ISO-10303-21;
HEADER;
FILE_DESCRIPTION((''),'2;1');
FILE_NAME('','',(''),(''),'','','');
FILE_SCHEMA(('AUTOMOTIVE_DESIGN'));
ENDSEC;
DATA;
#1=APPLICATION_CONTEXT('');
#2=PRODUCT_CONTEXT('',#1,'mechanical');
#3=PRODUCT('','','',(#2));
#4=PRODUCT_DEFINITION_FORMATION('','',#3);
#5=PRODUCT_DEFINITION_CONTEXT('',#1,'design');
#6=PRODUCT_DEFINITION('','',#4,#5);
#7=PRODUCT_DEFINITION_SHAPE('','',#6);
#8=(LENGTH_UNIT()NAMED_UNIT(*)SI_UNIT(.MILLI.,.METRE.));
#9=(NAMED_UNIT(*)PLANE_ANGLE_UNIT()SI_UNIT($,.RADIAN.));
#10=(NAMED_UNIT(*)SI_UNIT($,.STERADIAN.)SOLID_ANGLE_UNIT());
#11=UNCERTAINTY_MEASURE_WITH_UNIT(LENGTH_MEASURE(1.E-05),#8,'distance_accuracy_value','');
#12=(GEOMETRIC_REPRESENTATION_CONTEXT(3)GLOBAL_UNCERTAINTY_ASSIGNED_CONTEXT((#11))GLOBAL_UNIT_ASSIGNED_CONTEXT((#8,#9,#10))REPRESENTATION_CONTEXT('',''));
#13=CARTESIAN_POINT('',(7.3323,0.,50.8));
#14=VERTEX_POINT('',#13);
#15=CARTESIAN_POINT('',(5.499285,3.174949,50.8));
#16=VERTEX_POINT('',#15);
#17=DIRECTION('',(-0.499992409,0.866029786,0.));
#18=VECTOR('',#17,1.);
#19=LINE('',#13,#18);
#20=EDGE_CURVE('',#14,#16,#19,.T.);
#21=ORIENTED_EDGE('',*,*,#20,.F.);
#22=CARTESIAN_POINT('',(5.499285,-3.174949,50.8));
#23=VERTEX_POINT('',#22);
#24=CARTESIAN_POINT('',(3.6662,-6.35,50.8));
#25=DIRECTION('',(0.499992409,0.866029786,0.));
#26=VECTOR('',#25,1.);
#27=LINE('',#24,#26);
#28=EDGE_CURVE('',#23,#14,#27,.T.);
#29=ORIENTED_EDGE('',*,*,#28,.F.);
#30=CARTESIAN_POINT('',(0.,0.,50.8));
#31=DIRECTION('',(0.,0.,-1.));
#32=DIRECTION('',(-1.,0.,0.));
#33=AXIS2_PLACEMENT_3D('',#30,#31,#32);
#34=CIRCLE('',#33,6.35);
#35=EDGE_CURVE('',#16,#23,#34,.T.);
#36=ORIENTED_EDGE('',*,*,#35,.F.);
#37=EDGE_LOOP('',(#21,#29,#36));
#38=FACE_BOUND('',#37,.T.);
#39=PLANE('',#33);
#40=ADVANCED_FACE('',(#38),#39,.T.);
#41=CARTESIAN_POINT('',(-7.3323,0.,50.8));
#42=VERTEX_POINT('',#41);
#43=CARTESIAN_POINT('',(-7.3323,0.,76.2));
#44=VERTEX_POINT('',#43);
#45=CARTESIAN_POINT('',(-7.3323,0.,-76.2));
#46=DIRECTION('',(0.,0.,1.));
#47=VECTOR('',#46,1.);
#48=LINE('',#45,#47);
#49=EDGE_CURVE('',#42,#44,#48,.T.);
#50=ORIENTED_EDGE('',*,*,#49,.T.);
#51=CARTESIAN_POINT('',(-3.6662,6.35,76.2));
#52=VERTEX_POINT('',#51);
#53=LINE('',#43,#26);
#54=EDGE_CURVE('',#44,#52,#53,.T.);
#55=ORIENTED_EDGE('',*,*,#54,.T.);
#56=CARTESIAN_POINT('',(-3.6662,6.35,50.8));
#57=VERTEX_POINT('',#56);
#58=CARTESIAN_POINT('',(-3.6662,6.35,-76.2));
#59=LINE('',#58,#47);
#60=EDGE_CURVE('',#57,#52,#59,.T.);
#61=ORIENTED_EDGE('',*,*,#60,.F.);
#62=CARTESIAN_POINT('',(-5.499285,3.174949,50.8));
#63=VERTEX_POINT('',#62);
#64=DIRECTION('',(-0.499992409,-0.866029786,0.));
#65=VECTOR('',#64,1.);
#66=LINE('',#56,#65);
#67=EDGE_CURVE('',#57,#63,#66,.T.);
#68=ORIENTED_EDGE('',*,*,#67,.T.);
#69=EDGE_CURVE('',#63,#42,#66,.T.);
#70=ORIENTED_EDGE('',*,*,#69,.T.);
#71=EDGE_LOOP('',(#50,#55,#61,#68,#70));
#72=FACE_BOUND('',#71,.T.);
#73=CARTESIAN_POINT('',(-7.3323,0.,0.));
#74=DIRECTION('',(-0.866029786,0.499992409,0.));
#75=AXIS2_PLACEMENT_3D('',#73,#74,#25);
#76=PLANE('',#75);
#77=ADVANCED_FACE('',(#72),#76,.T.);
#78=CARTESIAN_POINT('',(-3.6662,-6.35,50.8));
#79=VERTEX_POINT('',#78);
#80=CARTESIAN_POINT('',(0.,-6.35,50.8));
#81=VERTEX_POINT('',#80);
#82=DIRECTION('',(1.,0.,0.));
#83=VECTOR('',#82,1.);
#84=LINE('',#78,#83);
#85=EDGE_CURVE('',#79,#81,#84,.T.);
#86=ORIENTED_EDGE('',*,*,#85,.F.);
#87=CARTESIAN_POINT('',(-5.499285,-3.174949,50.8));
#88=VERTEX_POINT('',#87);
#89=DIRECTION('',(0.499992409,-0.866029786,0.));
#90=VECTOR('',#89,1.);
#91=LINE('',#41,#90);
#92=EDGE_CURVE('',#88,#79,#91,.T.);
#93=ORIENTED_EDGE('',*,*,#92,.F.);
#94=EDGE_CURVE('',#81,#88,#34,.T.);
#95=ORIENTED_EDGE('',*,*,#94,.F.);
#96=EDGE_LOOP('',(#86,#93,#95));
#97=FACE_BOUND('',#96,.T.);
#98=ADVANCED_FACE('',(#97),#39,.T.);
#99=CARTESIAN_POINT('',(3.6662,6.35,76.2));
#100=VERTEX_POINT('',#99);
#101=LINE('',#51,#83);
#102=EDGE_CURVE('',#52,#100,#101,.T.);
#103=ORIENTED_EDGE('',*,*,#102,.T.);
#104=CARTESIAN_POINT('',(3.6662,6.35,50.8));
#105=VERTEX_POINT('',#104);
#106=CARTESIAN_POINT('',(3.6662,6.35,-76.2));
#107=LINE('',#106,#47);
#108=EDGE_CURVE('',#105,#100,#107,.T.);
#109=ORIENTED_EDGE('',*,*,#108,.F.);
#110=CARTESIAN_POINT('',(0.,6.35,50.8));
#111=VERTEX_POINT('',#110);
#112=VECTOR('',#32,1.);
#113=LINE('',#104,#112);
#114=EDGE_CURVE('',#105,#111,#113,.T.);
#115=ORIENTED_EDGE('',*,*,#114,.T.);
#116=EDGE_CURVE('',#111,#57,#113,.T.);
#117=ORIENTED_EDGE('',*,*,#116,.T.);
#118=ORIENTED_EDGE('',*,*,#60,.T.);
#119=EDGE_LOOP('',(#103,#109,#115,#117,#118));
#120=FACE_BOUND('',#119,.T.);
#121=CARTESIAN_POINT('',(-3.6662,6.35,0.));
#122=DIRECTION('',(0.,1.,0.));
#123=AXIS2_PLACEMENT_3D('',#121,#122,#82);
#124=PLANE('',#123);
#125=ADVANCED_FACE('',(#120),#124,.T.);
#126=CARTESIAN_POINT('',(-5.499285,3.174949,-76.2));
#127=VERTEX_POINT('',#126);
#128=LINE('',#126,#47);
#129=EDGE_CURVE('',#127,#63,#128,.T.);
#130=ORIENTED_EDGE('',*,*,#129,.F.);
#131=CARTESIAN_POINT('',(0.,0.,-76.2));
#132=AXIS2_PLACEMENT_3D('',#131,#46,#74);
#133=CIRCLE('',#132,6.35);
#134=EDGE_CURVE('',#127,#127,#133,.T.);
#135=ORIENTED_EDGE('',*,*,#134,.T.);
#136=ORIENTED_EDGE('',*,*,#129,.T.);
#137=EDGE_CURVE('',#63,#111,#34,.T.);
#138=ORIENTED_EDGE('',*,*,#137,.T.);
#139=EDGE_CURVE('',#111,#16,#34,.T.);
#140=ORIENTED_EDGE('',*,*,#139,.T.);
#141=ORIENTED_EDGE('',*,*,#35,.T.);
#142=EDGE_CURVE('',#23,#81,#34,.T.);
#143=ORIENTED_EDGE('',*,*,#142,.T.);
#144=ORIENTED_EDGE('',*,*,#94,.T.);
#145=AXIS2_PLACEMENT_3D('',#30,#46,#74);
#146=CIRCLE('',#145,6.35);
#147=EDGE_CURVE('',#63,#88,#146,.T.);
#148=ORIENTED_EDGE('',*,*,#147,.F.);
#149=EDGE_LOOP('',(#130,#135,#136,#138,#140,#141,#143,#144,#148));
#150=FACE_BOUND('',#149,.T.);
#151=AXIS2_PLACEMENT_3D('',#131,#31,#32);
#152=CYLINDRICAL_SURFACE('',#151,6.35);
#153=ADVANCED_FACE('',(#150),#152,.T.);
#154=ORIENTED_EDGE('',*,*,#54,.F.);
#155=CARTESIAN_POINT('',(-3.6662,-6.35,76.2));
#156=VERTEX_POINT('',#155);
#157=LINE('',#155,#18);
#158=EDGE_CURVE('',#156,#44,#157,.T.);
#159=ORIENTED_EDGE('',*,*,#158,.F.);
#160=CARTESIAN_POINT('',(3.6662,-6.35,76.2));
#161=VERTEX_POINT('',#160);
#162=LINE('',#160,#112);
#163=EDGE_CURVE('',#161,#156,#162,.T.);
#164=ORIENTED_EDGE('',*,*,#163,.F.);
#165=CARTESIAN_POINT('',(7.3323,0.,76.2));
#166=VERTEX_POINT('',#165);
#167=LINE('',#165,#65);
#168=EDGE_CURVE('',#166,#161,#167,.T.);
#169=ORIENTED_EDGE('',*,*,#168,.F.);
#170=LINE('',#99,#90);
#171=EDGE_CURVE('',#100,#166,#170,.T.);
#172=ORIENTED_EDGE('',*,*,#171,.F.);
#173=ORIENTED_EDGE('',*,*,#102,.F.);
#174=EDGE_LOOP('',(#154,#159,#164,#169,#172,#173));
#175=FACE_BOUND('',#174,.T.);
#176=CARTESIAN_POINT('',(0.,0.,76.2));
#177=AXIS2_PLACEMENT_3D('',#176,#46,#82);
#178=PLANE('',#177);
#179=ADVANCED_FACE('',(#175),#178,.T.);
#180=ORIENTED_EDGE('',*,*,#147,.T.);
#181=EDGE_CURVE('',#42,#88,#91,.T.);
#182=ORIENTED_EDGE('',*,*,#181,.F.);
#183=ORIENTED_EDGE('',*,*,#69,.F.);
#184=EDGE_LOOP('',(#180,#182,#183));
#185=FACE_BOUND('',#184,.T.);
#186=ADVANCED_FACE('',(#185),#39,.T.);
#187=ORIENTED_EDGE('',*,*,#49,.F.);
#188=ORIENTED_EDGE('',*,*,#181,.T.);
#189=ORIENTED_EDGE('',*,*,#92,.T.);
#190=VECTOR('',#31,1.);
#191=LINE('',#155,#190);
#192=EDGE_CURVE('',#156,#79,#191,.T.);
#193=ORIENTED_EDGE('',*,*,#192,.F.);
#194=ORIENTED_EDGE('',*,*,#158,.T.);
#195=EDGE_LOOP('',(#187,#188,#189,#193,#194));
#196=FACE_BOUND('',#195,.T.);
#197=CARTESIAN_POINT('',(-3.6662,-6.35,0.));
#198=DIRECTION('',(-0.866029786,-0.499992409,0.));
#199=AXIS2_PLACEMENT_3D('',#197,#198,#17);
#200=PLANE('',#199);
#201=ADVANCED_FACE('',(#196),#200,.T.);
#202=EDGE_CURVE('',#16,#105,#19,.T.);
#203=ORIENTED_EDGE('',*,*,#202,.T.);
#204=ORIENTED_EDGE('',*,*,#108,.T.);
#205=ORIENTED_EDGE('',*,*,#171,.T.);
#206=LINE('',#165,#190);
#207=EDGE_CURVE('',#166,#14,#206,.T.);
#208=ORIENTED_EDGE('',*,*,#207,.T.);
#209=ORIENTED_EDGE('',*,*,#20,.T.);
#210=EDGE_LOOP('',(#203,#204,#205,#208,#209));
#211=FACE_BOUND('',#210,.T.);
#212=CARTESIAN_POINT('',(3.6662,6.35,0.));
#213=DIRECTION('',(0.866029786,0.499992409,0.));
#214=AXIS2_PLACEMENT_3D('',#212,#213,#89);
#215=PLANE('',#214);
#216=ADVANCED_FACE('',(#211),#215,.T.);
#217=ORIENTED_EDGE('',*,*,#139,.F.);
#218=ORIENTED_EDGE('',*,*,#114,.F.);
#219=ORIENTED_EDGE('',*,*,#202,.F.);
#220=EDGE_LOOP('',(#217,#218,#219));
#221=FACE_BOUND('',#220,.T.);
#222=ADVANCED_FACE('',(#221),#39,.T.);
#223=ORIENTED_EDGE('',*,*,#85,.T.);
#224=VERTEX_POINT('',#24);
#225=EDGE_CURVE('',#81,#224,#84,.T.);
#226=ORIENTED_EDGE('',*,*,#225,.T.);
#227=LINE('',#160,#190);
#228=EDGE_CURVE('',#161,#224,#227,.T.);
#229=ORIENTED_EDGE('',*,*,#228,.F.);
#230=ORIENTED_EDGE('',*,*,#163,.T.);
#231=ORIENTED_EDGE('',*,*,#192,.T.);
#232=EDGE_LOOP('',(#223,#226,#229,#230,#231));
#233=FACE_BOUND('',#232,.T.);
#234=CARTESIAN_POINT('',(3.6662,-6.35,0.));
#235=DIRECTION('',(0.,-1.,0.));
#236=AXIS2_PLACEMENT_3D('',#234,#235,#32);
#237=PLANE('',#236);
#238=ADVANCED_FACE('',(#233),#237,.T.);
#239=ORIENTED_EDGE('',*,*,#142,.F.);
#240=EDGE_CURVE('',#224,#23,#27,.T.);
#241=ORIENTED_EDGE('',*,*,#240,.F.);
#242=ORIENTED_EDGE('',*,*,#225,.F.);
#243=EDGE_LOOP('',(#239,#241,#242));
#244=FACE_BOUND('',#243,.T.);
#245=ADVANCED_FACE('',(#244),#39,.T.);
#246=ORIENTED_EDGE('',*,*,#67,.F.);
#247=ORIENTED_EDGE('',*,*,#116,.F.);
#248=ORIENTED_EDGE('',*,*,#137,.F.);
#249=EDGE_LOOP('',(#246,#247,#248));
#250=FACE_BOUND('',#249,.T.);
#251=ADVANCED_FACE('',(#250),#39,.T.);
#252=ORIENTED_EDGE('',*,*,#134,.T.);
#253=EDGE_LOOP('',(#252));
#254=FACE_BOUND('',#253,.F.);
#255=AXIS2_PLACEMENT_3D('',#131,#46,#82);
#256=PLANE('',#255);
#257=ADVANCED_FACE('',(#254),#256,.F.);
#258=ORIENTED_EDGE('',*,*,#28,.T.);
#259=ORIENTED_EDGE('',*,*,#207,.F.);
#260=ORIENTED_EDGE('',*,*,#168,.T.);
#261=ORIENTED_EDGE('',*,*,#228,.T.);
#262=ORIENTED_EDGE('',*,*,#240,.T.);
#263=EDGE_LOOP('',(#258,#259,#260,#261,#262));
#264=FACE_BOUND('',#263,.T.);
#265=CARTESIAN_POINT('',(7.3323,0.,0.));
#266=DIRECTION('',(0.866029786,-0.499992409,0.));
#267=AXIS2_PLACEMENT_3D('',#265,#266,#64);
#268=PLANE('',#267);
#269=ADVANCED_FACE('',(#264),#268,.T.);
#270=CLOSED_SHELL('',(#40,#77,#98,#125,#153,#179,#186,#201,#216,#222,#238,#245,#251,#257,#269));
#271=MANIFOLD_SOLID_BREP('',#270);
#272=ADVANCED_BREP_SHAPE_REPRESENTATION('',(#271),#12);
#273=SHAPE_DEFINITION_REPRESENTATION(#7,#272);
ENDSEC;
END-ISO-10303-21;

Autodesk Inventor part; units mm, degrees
ref_plane "YZ Plane" through (0, 0, 0) normal (1, 0, 0) x (0, 1, 0)
ref_plane "XZ Plane" through (0, 0, 0) normal (0, 1, 0) x (-1, 0, 0)
ref_plane "XY Plane" through (0, 0, 0) normal (0, 0, 1) x (1, 0, 0)
sketch "Sketch1" plane through (0, 0, 0) normal (0, 0, 1) x (1, 0, 0)
  line L0 (3.6662, 6.35) -> (7.3323, 0)
  line L1 (7.3323, 0) -> (3.6662, -6.35)
  line L2 (3.6662, -6.35) -> (-3.6662, -6.35)
  line L3 (-3.6662, -6.35) -> (-7.3323, 0)
  line L4 (-7.3323, 0) -> (-3.6662, 6.35)
  line L5 (-3.6662, 6.35) -> (3.6662, 6.35)
  point P0 (0, 0)
  point P1 (0, 0)
  point P2 (0, 6.35)
  dimension "d0" = 12.7
extrude "Extrusion1" add sketch "Sketch1" along normal mid plane 152.4
sketch "Sketch2" plane through (0, 0, -76.2) normal (0, 0, -1) x (-1, 0, 0)
  line L0 (-3.6662, 6.35) -> (3.6662, 6.35) projected
  line L1 (-7.3323, 0) -> (-3.6662, 6.35) projected
  line L2 (-3.6662, -6.35) -> (-7.3323, 0) projected
  line L3 (3.6662, -6.35) -> (-3.6662, -6.35) projected
  line L4 (7.3323, 0) -> (3.6662, -6.35) projected
  line L5 (3.6662, 6.35) -> (7.3323, 0) projected
  circle A0 centre (0, 0) radius 6.35
extrude "Extrusion2" cut sketch "Sketch2" against normal blind 127 contours L0 A0 L1 | L0 L5 A0 | A0 L2 L1 | L5 L4 A0 | A0 L3 L2 | A0 L4 L3
properties part number "wheel shaft" material "Steel"
